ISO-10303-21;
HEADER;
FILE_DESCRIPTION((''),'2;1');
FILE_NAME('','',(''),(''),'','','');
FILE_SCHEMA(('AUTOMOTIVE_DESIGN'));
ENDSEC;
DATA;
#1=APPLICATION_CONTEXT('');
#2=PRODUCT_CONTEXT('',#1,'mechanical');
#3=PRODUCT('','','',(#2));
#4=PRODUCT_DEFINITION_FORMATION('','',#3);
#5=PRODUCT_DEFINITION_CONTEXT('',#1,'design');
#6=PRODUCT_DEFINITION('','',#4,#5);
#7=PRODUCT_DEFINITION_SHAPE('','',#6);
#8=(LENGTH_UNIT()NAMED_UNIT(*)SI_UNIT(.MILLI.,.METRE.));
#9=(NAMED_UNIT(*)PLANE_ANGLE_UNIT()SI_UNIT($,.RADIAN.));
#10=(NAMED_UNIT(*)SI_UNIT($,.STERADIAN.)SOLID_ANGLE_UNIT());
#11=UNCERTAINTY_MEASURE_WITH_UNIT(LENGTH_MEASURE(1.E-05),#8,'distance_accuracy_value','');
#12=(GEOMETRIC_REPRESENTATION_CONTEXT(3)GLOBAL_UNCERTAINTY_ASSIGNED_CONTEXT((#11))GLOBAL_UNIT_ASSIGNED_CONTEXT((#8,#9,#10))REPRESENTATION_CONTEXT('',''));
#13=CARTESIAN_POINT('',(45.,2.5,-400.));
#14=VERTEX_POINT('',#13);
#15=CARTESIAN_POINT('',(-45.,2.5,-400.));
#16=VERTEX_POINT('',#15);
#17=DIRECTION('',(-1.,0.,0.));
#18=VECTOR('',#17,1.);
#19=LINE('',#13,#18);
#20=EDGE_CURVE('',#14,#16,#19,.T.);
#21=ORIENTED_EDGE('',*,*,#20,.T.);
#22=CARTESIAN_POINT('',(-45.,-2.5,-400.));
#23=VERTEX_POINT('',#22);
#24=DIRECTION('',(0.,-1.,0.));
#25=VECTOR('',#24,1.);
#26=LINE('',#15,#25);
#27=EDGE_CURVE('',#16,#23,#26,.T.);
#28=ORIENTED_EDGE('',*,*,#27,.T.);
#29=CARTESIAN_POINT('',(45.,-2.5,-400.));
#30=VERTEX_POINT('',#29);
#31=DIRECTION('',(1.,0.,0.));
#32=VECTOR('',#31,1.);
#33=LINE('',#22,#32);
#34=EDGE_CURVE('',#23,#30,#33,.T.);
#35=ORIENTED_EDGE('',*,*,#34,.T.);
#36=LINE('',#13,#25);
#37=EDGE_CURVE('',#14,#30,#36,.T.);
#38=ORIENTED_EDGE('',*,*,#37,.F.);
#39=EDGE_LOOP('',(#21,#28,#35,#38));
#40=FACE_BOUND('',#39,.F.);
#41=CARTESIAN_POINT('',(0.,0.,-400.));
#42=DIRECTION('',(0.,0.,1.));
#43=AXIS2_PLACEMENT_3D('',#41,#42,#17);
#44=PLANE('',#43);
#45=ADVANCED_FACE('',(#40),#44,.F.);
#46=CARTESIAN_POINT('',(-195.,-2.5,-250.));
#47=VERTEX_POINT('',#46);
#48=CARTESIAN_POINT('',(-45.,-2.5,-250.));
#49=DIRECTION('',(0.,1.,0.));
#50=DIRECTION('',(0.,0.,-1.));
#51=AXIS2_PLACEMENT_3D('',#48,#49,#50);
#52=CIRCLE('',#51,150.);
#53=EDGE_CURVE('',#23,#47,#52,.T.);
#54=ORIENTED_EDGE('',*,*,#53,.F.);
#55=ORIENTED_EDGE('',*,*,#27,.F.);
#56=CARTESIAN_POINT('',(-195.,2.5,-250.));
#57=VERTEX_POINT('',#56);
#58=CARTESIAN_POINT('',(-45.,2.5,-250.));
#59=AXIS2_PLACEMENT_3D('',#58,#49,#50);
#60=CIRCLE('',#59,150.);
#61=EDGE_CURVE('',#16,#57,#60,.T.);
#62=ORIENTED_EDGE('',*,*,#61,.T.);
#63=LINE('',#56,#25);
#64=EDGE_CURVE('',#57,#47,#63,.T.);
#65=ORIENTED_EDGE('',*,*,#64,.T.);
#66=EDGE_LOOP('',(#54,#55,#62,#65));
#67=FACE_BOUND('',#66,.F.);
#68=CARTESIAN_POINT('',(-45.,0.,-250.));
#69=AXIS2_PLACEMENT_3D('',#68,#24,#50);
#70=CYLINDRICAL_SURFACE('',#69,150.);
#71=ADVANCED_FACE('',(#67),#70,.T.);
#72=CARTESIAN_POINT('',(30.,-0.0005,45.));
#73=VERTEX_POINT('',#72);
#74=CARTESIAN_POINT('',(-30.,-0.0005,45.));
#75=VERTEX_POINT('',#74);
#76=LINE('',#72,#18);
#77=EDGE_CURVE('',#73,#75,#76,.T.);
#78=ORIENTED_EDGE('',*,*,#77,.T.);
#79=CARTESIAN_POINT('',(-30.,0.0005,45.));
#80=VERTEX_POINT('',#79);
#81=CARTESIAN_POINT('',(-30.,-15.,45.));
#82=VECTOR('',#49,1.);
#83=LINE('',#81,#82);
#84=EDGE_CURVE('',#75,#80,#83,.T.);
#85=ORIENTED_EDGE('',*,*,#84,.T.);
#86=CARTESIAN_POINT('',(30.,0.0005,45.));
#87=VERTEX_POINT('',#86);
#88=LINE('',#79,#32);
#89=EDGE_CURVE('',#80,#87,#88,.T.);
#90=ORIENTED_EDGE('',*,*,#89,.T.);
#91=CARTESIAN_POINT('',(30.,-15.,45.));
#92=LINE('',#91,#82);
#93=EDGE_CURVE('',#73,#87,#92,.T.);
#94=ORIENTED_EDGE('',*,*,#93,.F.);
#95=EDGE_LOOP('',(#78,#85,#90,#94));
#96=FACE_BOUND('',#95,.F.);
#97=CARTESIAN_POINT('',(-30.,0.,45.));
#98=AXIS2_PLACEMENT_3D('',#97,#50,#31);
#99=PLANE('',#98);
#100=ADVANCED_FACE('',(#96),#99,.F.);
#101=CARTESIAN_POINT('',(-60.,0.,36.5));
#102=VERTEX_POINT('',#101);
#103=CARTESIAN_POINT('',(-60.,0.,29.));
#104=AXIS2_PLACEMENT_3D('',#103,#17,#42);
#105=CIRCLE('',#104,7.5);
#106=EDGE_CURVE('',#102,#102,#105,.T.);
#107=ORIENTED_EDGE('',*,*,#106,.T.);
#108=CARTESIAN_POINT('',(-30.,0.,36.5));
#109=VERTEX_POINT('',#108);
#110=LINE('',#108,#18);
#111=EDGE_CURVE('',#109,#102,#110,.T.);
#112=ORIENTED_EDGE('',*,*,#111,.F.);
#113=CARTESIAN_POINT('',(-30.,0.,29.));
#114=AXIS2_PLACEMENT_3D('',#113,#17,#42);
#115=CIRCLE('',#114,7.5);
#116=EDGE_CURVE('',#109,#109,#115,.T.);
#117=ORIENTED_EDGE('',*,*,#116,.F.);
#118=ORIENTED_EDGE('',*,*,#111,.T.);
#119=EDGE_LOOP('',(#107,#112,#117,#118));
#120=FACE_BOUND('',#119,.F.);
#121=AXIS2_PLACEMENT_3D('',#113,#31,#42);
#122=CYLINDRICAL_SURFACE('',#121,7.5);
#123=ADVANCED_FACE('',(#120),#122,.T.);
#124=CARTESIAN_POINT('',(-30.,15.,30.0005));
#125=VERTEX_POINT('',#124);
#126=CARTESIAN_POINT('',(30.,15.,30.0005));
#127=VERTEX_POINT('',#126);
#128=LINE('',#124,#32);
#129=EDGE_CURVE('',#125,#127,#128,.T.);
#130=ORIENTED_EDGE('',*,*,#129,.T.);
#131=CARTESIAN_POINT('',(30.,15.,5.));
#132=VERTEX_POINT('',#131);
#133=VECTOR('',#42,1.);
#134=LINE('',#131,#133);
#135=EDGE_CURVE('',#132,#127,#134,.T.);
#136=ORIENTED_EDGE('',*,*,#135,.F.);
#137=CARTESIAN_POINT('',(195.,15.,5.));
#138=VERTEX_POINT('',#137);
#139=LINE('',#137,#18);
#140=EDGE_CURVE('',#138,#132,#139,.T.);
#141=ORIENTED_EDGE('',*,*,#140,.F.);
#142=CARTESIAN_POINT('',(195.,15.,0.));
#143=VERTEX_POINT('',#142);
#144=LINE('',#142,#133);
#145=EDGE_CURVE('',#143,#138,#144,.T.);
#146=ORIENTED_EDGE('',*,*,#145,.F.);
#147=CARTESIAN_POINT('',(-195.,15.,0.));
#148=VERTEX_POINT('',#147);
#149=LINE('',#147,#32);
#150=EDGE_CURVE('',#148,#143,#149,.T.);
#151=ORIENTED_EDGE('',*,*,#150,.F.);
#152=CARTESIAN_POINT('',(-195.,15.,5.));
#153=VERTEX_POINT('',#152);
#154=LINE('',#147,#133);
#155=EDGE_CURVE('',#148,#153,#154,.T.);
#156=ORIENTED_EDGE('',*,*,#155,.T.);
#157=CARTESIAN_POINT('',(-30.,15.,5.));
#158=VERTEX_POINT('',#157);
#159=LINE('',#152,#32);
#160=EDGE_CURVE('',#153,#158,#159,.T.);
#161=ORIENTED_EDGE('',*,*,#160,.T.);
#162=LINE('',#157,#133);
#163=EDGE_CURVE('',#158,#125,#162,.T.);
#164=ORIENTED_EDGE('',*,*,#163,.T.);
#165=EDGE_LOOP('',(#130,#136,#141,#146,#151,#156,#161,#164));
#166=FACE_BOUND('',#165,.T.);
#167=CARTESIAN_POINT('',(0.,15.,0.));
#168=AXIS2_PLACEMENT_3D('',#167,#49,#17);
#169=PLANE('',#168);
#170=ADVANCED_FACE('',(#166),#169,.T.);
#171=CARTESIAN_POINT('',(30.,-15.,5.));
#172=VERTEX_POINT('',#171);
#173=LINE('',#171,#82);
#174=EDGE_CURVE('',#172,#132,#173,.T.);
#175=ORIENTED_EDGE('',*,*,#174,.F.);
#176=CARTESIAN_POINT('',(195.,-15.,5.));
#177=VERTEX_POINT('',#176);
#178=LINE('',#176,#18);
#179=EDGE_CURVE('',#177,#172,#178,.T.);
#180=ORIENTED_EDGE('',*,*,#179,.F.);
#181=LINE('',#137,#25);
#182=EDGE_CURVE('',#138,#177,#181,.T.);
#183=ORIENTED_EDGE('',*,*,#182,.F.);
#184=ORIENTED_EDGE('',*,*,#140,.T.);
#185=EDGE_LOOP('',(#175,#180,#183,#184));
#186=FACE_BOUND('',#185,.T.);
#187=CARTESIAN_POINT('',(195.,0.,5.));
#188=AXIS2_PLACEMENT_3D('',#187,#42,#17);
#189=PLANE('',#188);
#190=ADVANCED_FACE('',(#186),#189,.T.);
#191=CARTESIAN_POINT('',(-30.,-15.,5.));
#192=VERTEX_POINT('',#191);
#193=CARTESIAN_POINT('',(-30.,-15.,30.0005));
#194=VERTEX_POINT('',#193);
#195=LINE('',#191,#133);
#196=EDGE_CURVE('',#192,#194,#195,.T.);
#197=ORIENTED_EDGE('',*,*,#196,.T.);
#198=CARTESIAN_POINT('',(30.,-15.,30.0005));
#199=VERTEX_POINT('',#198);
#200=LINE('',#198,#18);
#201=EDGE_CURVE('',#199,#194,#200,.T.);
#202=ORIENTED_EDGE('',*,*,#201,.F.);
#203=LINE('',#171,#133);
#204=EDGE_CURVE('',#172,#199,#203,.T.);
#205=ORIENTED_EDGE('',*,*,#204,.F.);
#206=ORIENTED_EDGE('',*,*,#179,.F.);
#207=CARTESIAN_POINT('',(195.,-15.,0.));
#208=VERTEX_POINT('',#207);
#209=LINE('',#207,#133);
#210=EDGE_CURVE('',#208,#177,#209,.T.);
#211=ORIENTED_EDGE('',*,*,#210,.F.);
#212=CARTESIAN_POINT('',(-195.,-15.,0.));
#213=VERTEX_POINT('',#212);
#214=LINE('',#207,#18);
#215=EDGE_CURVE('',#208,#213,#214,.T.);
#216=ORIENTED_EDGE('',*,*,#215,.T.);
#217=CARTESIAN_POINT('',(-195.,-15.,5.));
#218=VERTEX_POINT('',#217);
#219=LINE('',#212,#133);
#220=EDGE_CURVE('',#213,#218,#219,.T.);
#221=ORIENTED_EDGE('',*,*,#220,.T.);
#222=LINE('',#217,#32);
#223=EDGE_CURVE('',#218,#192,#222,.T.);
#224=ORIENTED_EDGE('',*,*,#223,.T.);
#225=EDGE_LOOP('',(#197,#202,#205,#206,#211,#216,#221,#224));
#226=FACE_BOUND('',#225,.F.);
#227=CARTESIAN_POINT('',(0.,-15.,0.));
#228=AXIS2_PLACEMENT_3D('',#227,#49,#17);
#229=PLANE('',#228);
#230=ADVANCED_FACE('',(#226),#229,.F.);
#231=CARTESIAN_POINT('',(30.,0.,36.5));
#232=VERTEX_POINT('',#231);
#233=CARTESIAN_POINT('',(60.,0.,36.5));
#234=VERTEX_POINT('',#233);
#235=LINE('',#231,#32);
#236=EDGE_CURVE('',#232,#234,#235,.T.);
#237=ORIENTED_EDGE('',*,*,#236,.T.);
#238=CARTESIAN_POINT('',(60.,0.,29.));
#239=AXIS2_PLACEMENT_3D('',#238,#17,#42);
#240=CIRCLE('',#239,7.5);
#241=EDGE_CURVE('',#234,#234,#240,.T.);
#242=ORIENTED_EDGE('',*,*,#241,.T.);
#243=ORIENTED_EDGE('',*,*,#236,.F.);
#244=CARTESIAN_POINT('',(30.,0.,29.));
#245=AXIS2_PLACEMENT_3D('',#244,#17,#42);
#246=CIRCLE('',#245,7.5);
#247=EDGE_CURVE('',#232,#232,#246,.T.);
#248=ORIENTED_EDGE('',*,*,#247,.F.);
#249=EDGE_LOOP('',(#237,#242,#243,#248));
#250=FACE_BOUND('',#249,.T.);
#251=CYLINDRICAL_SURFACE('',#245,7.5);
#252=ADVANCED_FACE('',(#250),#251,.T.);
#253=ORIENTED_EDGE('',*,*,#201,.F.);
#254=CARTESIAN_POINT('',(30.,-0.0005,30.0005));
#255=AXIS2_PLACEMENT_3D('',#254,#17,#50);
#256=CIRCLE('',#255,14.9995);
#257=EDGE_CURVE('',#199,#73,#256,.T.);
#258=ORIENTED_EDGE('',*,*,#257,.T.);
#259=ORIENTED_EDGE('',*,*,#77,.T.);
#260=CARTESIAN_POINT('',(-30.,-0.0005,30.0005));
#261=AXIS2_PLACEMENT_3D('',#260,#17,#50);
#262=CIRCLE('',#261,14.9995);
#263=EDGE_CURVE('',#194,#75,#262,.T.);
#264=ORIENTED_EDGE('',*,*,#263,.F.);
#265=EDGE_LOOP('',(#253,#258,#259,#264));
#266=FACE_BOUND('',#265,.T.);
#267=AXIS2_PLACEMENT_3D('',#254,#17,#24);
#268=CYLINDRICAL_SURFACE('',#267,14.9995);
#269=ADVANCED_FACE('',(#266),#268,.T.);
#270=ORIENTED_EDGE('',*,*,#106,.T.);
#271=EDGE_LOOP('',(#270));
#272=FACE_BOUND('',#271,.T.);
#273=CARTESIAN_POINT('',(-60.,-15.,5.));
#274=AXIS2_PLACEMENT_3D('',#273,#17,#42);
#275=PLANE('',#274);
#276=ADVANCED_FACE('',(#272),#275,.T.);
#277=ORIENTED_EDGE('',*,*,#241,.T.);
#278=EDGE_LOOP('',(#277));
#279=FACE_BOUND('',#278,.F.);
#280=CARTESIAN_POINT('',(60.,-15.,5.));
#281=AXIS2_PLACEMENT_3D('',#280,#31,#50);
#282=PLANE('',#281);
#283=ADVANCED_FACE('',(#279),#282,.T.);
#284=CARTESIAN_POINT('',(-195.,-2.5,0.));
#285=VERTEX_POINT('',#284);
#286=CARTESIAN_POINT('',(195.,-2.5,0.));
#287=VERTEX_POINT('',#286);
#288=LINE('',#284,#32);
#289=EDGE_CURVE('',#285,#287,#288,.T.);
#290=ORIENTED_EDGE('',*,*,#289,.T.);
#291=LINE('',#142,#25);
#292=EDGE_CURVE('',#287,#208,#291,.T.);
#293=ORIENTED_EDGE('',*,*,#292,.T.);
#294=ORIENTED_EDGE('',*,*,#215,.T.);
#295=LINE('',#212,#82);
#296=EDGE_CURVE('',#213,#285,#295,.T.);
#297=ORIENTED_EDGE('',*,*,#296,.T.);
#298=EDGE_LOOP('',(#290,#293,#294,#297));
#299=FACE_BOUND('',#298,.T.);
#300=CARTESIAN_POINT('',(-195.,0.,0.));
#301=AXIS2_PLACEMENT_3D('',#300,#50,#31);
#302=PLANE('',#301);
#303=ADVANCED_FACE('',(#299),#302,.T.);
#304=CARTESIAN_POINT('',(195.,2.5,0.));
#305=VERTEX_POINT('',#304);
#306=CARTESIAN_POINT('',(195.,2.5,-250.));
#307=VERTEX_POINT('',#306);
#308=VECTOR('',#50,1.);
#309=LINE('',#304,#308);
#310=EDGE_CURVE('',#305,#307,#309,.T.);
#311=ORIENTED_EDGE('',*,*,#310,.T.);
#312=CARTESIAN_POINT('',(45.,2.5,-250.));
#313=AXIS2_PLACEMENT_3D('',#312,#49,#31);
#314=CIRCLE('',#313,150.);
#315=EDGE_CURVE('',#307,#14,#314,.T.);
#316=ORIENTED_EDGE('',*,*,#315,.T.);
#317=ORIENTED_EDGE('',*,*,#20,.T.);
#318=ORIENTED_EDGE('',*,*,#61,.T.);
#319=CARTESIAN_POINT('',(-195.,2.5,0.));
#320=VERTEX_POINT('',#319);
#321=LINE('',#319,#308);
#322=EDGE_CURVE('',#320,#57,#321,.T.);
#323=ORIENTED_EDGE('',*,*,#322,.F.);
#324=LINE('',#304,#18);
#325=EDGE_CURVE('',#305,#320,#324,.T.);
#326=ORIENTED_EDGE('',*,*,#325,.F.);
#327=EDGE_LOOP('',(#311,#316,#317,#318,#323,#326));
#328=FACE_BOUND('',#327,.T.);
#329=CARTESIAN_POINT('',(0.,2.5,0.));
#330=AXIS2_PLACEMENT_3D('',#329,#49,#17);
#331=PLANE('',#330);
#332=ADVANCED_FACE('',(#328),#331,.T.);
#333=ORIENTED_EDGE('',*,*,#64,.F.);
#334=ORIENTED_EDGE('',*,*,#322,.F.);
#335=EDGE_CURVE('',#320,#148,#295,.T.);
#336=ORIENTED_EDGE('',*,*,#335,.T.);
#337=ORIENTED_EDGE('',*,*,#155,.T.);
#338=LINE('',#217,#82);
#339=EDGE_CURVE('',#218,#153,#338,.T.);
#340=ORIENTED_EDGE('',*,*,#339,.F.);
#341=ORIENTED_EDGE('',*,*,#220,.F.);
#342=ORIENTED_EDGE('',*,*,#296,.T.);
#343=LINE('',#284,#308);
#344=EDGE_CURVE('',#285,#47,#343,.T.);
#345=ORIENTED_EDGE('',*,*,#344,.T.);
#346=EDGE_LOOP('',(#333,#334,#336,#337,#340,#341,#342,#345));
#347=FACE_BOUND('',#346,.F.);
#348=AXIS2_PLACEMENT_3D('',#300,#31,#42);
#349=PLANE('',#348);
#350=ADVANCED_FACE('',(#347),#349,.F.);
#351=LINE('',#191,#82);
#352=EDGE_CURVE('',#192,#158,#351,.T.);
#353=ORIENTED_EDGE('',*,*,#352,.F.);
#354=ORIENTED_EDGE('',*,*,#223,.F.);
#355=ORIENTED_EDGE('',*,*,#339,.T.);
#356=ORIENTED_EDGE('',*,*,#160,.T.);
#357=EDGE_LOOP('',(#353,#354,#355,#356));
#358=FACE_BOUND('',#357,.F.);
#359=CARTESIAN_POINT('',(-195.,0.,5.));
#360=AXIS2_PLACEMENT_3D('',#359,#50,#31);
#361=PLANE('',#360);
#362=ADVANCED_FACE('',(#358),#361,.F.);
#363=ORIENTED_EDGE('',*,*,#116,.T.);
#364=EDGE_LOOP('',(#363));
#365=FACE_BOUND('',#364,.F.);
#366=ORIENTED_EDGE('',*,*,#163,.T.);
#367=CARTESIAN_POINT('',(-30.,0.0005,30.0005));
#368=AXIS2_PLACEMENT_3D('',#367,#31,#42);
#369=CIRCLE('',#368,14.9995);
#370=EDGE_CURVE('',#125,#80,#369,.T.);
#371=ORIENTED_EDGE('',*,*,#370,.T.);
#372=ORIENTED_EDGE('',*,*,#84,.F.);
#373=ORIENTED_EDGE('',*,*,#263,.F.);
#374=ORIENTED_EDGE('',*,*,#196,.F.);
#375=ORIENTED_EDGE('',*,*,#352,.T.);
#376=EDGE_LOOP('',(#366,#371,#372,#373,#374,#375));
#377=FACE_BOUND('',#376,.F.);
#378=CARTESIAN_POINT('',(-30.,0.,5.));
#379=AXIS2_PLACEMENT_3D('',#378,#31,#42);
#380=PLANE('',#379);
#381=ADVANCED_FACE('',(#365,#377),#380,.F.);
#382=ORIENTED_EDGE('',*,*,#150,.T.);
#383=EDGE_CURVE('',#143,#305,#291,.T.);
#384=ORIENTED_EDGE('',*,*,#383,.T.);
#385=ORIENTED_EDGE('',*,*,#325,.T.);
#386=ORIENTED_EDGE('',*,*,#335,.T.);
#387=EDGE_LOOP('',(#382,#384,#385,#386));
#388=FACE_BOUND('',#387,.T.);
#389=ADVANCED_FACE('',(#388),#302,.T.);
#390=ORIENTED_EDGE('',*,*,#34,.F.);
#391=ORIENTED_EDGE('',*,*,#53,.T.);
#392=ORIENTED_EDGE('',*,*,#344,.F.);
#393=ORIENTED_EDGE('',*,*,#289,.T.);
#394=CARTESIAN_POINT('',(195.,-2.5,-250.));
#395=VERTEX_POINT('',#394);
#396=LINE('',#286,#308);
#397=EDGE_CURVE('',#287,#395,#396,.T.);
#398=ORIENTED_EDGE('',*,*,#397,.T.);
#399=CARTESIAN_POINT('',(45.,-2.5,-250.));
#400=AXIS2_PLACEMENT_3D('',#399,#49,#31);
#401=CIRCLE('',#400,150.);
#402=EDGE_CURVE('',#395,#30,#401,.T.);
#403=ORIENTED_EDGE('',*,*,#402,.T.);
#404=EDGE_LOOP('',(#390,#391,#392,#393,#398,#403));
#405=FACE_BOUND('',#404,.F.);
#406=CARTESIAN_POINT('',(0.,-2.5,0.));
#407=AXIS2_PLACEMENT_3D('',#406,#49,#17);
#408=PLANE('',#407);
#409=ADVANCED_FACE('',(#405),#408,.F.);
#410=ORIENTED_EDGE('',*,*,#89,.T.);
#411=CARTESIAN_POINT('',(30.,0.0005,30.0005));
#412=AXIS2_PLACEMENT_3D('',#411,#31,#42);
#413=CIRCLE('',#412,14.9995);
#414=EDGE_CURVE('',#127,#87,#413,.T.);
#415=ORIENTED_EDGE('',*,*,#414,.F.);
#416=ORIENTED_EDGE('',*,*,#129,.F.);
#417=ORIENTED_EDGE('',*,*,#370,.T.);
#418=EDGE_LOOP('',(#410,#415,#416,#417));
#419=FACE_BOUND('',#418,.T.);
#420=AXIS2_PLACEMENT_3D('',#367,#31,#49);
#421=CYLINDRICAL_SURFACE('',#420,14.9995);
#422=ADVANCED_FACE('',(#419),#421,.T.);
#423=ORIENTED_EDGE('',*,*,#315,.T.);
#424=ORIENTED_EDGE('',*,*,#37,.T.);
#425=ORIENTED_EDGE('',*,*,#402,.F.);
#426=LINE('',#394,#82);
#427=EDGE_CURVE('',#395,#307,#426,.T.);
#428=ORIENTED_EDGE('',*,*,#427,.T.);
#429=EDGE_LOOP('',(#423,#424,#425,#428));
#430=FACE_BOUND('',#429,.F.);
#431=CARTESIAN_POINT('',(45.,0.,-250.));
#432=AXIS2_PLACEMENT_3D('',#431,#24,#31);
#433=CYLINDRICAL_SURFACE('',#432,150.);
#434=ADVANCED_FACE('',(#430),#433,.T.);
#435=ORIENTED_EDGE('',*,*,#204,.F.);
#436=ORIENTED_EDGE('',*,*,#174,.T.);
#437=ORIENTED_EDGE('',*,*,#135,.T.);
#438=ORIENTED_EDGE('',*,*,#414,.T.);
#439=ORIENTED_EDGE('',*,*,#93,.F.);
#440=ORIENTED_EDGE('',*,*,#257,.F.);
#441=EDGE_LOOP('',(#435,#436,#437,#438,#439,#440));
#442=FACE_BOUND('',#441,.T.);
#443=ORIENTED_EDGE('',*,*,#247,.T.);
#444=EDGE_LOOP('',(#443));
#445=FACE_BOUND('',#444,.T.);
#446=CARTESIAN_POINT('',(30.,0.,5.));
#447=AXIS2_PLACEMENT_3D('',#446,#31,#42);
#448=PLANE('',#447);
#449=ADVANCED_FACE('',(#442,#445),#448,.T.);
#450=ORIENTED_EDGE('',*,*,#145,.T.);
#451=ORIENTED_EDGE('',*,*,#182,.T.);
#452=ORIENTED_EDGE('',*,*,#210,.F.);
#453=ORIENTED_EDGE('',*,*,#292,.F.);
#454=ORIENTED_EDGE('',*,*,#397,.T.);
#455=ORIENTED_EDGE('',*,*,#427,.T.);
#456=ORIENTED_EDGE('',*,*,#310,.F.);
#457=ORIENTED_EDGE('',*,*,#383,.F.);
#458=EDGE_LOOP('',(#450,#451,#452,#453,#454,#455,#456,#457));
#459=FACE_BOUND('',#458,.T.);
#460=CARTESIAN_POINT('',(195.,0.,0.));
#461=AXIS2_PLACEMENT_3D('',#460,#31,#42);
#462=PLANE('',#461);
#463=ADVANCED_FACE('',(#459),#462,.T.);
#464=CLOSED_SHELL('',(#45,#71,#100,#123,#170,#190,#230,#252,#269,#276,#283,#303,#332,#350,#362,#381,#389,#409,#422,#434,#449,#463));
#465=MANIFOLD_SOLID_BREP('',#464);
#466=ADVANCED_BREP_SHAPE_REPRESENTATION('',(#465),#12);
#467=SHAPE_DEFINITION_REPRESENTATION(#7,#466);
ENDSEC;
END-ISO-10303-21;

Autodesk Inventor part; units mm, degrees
ref_plane "YZ Plane" through (0, 0, 0) normal (1, 0, 0) x (0, 1, 0)
ref_plane "XZ Plane" through (0, 0, 0) normal (0, 1, 0) x (-1, 0, 0)
ref_plane "XY Plane" through (0, 0, 0) normal (0, 0, 1) x (1, 0, 0)
sketch "panel_sketch" plane through (0, 0, 0) normal (0, 1, 0) x (-1, 0, 0)
  line L0 (195, 0) -> (195, -250)
  line L1 (195, 0) -> (0, 0)
  line L2 (0, 0) -> (0, -400)
  line L3 (0, -400) -> (45, -400)
  arc A0 (45, -400) -> (195, -250) centre (45, -250) ccw
  line L4 (-195, 0) -> (-195, -250)
  line L5 (-195, 0) -> (0, 0)
  line L6 (0, -400) -> (-45, -400)
  arc A1 (-195, -250) -> (-45, -400) centre (-45, -250) ccw
  dimension "d1" = 400
  dimension "d2" = 390
  dimension "d3" = 250
  dimension "d4" = 45
extrude "panel_extrude" add sketch "panel_sketch" along normal mid plane 5
sketch "hinge_sketch" plane through (0, 0, 0) normal (0, 1, 0) x (-1, 0, 0)
  line L0 (195, -250) -> (195, 0) projected
  line L1 (195, 0) -> (195, 5)
  line L2 (195, 5) -> (30, 5)
  line L3 (30, 5) -> (30, 45)
  line L4 (0, 0) -> (0, 150)
  line L5 (195, 0) -> (0, 0)
  line L6 (195, 0) -> (-195, 0) projected
  line L7 (30, 45) -> (0, 45)
  line L8 (-195, 0) -> (-195, 5)
  line L9 (-195, 5) -> (-30, 5)
  line L10 (-30, 5) -> (-30, 45)
  line L11 (-195, 0) -> (0, 0)
  line L12 (-30, 45) -> (0, 45)
  dimension "d8" = 5
  dimension "d9" = 60
  dimension "d10" = 40
  dimension "d19" = 150
extrude "hinge_extrude" add sketch "hinge_sketch" along normal mid plane 30
fillet "hinge_bottom_fillet" radius 15 2 edges at (0, 15, 45) (0, -15, 45)
sketch "hinge_link_sketch" plane through (-30, -15, 5) normal (-1, 0, 0) x (0, 0, 1)
  line L0 (0, 30) -> (25, 30) projected
  arc A0 (25, 0) -> (25, 30) centre (25, 15) ccw projected
  line L1 (25, 0) -> (0, 0) projected
  circle A1 centre (24, 15) radius 7.5
  point P0 (-5, 15)
  point P1 (40, 15)
  dimension "d14" = 15
  dimension "d15" = 16
  dimension "d16" = 15
extrude "hinge_link_extrude" add sketch "hinge_link_sketch" along normal blind 30
mirror "hinge_link_extrude_mirror" about plane through (0, 0, 0) normal (1, 0, 0)
equation "\"d1\" = panel_height"
equation "\"d2\" = panel_width"
equation "\"d3\" = vertical_height"
equation "\"d4\" = 0.5 * panel_width + vertical_height - panel_height"
equation "\"d9\" = hinge_width"
equation "\"d10\" = hinge_height"
equation "\"d11\" = 0.5 * hinge_width"
equation "\"d17\" = 0.5 * hinge_width"
equation "\"panel_height\" = 400"
equation "\"panel_width\" = 390"
equation "\"vertical_height\" = 250"
equation "\"hinge_width\" = 60"
equation "\"hinge_height\" = 40"
properties part number "aperature_panel" material "Stainless Steel AISI 440C, Welded"
